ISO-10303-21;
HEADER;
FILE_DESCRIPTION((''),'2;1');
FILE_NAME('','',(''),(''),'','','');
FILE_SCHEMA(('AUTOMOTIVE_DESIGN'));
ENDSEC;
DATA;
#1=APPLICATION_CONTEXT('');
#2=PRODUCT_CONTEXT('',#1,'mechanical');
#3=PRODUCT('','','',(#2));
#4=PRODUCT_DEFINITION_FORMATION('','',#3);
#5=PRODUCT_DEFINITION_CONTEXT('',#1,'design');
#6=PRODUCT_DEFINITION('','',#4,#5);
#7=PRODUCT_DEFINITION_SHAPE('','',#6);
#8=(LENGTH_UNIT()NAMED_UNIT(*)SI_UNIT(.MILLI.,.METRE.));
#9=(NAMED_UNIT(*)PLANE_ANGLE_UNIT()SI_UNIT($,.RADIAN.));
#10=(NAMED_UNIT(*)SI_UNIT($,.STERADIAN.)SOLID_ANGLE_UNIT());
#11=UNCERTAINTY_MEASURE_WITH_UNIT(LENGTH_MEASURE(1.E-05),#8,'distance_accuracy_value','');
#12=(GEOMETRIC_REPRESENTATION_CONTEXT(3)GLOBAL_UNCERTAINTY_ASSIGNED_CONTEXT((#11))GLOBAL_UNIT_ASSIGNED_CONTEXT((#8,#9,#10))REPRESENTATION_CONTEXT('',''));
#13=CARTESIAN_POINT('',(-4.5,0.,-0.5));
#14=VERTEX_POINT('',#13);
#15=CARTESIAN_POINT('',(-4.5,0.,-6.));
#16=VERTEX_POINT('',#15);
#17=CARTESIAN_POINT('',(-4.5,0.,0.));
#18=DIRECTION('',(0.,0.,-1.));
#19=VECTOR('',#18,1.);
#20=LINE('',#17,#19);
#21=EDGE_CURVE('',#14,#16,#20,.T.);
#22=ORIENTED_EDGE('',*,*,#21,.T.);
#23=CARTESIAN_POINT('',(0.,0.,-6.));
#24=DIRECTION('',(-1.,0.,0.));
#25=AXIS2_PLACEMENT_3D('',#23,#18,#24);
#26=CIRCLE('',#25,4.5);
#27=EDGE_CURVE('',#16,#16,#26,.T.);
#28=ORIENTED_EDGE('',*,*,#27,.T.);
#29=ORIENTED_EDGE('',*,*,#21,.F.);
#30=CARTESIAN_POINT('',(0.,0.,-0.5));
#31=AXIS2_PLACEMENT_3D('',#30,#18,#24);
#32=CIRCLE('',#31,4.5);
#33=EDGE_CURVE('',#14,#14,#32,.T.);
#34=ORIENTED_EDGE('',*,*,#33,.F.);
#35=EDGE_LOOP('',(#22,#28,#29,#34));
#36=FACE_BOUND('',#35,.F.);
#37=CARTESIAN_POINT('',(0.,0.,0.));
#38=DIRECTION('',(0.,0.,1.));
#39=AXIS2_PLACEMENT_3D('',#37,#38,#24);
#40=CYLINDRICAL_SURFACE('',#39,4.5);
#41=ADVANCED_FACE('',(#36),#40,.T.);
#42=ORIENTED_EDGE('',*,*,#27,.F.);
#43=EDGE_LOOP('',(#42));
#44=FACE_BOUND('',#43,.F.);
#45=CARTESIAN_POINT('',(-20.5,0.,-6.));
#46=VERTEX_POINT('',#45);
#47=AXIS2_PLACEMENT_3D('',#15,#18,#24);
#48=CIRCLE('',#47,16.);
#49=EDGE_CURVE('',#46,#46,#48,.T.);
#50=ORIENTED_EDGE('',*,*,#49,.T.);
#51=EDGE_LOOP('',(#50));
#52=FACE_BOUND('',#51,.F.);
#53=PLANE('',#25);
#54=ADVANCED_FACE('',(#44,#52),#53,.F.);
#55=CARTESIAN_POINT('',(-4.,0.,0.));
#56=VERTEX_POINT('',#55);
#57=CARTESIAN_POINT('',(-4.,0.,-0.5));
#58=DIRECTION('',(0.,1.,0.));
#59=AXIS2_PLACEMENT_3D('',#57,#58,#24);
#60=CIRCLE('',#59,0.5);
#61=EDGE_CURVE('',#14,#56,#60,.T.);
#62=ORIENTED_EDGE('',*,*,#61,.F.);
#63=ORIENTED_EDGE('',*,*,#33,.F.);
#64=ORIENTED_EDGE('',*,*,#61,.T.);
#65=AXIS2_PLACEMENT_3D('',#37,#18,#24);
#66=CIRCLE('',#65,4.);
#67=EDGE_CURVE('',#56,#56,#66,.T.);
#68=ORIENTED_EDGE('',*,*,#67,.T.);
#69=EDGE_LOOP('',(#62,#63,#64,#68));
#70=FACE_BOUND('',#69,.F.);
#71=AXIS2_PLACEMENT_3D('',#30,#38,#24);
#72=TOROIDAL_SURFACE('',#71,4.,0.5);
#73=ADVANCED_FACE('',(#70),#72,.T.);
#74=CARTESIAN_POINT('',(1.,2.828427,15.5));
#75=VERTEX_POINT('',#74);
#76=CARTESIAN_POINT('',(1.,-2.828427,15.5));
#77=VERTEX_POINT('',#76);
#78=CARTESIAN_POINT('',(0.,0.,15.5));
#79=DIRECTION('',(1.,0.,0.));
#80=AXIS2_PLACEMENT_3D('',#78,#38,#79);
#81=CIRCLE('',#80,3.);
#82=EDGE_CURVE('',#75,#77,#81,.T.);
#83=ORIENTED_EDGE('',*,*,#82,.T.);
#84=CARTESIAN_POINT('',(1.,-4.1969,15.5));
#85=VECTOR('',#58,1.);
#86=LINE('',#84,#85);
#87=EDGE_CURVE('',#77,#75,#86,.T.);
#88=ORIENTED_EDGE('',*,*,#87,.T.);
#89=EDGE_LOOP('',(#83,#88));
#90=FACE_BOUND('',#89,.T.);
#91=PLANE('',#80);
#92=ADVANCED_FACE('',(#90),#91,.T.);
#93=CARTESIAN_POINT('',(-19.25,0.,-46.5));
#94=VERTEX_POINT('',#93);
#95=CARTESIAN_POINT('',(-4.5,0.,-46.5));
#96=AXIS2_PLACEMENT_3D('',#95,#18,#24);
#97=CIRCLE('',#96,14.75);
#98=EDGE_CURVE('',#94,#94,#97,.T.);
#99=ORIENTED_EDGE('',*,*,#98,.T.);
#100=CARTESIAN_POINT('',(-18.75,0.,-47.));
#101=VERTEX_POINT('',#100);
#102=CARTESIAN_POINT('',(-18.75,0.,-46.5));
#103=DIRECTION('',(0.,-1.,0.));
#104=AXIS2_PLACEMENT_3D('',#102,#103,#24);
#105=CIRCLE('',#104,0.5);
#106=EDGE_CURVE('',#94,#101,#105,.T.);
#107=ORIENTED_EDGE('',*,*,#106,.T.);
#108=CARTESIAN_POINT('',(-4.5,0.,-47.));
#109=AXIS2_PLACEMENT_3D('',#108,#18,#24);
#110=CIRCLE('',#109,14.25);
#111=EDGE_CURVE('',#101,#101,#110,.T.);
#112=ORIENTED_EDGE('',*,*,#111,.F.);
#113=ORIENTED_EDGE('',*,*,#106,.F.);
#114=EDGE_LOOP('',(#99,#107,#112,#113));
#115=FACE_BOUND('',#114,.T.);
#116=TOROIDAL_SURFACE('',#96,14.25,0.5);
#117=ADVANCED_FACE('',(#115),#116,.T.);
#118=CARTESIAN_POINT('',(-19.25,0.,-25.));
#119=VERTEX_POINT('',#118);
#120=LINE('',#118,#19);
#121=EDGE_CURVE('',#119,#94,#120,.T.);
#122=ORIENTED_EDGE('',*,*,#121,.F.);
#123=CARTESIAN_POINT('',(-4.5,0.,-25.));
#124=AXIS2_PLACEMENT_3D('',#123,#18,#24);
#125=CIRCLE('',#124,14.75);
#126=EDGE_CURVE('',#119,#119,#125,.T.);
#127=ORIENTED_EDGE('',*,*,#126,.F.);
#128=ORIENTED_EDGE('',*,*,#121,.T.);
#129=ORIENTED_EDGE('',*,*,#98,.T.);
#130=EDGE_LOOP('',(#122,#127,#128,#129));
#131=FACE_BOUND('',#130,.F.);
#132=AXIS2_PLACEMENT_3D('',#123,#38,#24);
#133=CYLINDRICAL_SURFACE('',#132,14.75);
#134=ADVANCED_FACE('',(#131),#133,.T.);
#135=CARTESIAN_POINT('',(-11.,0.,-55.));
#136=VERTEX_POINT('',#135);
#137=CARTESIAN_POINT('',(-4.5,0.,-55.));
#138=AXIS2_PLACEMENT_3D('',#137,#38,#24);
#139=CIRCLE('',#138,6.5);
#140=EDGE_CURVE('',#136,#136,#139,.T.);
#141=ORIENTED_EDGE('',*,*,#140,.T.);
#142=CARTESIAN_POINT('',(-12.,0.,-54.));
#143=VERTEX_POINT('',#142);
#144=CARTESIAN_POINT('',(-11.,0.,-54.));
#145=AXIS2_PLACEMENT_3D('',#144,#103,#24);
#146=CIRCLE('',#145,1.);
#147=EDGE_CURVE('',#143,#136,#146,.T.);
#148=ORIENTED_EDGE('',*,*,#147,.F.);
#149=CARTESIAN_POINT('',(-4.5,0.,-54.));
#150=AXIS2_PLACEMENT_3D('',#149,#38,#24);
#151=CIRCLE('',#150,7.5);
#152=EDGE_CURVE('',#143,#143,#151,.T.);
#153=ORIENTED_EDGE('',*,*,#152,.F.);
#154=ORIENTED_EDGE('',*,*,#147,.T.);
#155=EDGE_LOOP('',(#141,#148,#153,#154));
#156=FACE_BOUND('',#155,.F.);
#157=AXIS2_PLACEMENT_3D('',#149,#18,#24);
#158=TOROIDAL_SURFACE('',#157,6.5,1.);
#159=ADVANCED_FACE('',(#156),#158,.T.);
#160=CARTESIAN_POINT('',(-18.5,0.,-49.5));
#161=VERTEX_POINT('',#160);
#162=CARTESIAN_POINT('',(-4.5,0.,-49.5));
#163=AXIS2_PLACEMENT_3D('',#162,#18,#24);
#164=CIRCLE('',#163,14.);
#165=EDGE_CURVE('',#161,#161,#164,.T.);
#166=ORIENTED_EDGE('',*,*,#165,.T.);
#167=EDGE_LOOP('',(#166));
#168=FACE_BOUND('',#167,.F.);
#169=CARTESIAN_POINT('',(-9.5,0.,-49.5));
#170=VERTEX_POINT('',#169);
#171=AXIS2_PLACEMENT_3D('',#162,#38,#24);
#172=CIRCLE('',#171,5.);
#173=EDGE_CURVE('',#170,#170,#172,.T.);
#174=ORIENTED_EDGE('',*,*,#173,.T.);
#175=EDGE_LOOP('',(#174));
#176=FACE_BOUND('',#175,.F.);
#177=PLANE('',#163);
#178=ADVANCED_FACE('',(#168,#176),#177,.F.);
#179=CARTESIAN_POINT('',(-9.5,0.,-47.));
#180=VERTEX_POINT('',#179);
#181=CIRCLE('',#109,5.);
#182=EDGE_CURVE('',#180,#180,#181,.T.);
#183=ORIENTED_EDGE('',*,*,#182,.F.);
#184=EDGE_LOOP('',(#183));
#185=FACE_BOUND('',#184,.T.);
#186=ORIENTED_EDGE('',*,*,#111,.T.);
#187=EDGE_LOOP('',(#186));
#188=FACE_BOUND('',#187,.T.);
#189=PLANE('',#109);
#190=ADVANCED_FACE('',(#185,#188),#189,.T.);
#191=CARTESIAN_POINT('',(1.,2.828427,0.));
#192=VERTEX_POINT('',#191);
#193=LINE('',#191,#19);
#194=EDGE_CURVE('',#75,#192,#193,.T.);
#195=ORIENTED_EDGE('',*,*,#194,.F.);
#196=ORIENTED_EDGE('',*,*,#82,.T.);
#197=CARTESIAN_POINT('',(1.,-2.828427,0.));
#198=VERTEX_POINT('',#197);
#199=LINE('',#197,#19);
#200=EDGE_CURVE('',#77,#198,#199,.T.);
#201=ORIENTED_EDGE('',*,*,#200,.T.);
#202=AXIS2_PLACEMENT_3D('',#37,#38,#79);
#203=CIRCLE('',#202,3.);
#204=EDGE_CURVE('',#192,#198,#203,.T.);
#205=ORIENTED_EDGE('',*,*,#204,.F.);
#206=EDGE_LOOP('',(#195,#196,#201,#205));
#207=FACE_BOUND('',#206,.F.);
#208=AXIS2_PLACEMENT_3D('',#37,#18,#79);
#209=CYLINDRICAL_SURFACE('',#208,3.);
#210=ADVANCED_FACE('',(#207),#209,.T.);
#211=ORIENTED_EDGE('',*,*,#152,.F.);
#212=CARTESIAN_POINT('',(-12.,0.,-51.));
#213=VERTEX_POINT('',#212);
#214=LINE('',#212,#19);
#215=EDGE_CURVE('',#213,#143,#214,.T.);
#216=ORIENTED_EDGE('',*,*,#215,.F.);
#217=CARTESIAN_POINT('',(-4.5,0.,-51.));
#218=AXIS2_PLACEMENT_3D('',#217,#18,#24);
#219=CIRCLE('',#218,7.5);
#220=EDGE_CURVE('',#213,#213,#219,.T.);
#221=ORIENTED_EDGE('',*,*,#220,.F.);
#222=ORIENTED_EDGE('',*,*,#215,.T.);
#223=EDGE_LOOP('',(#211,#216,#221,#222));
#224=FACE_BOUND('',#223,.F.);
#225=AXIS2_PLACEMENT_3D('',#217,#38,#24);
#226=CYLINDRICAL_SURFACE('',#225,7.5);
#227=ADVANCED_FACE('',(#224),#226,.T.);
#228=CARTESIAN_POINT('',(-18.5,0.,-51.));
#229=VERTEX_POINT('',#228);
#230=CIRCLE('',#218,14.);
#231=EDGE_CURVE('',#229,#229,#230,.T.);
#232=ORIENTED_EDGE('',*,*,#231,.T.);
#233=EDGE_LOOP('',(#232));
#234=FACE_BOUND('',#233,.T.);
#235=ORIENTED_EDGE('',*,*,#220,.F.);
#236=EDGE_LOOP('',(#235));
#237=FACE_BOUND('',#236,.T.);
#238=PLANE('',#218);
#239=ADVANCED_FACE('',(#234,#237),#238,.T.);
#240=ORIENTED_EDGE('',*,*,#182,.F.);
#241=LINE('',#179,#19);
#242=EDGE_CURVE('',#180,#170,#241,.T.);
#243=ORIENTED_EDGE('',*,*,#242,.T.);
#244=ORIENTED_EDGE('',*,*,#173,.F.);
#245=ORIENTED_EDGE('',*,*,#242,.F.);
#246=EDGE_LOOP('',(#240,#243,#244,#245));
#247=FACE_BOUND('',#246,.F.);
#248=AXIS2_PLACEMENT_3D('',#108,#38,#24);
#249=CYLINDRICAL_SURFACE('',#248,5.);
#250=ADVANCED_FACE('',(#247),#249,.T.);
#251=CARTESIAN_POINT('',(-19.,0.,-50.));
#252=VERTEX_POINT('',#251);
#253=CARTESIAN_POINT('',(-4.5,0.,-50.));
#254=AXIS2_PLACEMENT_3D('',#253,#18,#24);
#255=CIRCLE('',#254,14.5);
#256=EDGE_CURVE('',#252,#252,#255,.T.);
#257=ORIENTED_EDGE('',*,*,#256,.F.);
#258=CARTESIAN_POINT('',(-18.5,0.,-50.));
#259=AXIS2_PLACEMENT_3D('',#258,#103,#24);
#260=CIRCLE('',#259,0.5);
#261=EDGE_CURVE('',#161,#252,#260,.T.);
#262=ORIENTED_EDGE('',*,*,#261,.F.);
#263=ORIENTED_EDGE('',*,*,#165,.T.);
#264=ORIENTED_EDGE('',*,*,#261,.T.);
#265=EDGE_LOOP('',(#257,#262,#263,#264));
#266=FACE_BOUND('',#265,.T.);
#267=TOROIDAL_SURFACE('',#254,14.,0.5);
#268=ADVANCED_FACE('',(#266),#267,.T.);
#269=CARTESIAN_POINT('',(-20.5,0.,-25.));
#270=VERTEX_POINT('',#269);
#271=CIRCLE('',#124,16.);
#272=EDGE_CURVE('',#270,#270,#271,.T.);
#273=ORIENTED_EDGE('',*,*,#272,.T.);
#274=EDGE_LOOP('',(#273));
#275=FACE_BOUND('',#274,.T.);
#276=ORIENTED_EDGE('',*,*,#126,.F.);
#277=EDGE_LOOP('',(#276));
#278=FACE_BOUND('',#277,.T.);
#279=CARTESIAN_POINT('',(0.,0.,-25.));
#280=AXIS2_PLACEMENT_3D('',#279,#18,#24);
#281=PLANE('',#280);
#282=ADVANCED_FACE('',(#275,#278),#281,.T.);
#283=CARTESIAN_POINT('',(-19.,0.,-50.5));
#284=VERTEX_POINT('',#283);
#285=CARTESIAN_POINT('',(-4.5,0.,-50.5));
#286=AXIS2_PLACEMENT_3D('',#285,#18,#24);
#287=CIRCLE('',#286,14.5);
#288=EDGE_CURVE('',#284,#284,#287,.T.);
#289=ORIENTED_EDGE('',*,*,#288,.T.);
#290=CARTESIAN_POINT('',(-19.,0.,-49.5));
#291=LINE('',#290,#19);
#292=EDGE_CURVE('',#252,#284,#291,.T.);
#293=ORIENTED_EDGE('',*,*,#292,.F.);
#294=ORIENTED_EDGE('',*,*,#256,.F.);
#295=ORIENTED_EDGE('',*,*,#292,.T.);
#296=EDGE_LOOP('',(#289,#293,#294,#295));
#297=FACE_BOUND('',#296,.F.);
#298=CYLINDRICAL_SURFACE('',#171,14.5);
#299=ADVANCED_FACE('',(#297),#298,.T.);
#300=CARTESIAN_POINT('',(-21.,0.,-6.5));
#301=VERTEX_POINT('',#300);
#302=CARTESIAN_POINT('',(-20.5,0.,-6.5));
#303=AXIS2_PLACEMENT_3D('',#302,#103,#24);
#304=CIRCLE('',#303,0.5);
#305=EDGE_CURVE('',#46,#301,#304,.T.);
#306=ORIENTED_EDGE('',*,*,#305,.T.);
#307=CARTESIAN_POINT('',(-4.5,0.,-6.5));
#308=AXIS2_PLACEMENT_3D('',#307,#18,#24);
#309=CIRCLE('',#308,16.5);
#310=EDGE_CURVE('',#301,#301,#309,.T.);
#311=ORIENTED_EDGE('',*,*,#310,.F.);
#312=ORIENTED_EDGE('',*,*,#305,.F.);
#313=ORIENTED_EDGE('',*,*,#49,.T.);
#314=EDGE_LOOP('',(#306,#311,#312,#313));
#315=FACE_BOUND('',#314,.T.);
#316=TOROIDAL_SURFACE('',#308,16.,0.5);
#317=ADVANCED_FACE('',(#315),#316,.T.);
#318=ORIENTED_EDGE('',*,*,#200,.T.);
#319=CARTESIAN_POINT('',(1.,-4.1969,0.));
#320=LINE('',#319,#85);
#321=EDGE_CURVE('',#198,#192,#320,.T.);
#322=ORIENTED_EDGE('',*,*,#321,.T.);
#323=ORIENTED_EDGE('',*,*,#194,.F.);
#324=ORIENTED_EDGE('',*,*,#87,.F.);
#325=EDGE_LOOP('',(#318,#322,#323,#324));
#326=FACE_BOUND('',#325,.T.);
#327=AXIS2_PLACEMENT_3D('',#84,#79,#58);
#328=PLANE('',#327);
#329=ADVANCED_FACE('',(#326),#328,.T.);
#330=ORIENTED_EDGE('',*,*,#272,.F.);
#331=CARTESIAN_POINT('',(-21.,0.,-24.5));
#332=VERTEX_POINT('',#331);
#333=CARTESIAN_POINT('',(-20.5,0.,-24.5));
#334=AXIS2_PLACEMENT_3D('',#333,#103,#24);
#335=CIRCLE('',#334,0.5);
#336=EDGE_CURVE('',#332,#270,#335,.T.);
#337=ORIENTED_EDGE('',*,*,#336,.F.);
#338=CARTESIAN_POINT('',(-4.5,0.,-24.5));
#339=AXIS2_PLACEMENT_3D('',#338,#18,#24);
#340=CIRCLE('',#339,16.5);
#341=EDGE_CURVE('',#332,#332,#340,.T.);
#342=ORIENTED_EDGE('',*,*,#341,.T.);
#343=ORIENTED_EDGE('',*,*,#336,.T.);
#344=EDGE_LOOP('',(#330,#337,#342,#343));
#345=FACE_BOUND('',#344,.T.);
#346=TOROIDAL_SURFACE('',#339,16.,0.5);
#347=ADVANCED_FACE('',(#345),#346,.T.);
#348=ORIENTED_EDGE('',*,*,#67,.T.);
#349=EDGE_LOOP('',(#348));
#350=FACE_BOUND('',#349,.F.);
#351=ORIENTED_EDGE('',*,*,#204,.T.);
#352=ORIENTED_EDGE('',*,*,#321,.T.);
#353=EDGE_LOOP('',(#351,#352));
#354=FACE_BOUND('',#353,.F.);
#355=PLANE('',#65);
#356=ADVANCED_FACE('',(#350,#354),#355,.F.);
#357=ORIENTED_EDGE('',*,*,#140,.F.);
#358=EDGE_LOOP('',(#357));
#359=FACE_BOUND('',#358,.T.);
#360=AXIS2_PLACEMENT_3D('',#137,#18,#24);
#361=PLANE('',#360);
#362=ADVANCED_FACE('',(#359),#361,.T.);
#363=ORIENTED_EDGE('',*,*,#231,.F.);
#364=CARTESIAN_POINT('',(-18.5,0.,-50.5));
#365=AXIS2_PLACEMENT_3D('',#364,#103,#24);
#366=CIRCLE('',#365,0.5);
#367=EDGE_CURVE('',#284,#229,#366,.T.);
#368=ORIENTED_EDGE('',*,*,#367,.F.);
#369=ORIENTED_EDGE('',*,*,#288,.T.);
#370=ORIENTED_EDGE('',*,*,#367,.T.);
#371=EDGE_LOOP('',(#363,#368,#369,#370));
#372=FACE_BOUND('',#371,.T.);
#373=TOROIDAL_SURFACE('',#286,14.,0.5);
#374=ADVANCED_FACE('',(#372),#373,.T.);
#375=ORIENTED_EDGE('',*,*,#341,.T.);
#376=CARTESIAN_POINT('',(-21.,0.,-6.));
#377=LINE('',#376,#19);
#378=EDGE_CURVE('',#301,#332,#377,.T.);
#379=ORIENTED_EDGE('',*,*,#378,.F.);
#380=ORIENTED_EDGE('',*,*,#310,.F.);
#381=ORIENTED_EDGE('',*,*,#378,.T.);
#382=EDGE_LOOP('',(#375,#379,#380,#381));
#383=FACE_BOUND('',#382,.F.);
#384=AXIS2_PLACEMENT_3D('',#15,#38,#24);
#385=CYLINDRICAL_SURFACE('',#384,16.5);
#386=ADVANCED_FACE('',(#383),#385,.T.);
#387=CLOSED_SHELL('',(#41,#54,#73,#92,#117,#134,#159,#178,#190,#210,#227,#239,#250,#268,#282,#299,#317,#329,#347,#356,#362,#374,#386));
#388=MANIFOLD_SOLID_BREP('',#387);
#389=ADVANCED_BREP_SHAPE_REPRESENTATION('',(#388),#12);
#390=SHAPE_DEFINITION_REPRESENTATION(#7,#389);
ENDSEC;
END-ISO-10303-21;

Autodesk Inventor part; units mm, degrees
ref_plane "YZ Plane" through (0, 0, 0) normal (1, 0, 0) x (0, 1, 0)
ref_plane "XZ Plane" through (0, 0, 0) normal (0, 1, 0) x (-1, 0, 0)
ref_plane "XY Plane" through (0, 0, 0) normal (0, 0, 1) x (1, 0, 0)
sketch "Boceto1" plane through (0, 0, 0) normal (0, 0, 1) x (1, 0, 0)
  circle A0 centre (0, 0) radius 3
  dimension "d0" = 6
extrude "Extrusión1" add sketch "Boceto1" along normal blind 15.5
sketch "Boceto2" plane through (0, 0, 0) normal (0, 0, -1) x (-1, 0, 0)
  circle A0 centre (0, 0) radius 4.5
  dimension "d3" = 9
extrude "Extrusión2" add sketch "Boceto2" along normal blind 6
sketch "Boceto3" plane through (0, 0, 15.5) normal (0, 0, 1) x (1, 0, 0)
  point P0 (0, 0)
sketch "Boceto4" plane through (0, 0, -6) normal (0, 0, -1) x (-1, 0, 0)
  point P0 (0, 0)
sketch "Boceto5" plane through (0, 0, 15.5) normal (0, 0, 1) x (1, 0, 0)
  line L0 (1, 3.0944) -> (7.331, 3.0944)
  line L1 (7.331, 3.0944) -> (7.331, -4.1969)
  line L2 (7.331, -4.1969) -> (1, -4.1969)
  line L3 (1, -4.1969) -> (1, 3.0944)
  point P0 (0, 0)
  dimension "d6" = 1
extrude "Extrusión3" cut sketch "Boceto5" against normal blind 15.5
sketch "Boceto6" plane through (0, 0, -6) normal (0, 0, -1) x (-1, 0, 0)
  circle A0 centre (4.5, 0) radius 16.5
  point P0 (0, 0)
  dimension "d9" = 4.5
  dimension "d10" = 33
extrude "Extrusión4" add sketch "Boceto6" along normal blind 19
sketch "Boceto7" plane through (-4.5, 0, -25) normal (0, 0, -1) x (-1, 0, 0)
  circle A0 centre (-4.5, 0) radius 4.5 projected
  circle A1 centre (0, 0) radius 14.75
  dimension "d13" = 29.5
extrude "Extrusión5" add sketch "Boceto7" along normal blind 22 contours A0 | A1
sketch "Boceto8" plane through (-4.5, 0, -47) normal (0, 0, -1) x (-1, 0, 0)
  circle A0 centre (-4.5, 0) radius 4.5 projected
  circle A1 centre (0, 0) radius 5
  dimension "d16" = 10
extrude "Extrusión6" add sketch "Boceto8" along normal blind 2.5 contours A0 A1 | A0 A1 picked at (-3.3248, -0.7551) picked at (3.2856, 0.3961)
sketch "Boceto9" plane through (-4.5, 0, -49.5) normal (0, 0, -1) x (-1, 0, 0)
  circle A0 centre (-4.5, 0) radius 4.5 projected
  circle A1 centre (0, 0) radius 14.5
extrude "Extrusión7" add sketch "Boceto9" along normal blind 1.5 contours A0 | A1
sketch "Boceto10" plane through (-4.5, 0, -51) normal (0, 0, -1) x (-1, 0, 0)
  circle A0 centre (-4.5, 0) radius 4.5 projected
  circle A1 centre (0, 0) radius 7.5
  dimension "d21" = 15
extrude "Extrusión8" add sketch "Boceto10" along normal blind 4 contours A0 A1 | A0 A1 picked at (-4.9657, 0) picked at (4.9328, -0.5757)
fillet "Empalme1" radius 0.5 1 edges at (4.5, 0, 0)
fillet "Empalme2" radius 0.5 1 edges at (12, 0, -6)
fillet "Empalme3" radius 0.5 1 edges at (12, 0, -25)
fillet "Empalme4" radius 0.5 1 edges at (10.25, 0, -47)
fillet "Empalme5" radius 0.5 1 edges at (10, 0, -49.5)
fillet "Empalme6" radius 0.5 1 edges at (10, 0, -51)
fillet "Empalme7" radius 1 1 edges at (3, 0, -55)
properties part number "Motor"
